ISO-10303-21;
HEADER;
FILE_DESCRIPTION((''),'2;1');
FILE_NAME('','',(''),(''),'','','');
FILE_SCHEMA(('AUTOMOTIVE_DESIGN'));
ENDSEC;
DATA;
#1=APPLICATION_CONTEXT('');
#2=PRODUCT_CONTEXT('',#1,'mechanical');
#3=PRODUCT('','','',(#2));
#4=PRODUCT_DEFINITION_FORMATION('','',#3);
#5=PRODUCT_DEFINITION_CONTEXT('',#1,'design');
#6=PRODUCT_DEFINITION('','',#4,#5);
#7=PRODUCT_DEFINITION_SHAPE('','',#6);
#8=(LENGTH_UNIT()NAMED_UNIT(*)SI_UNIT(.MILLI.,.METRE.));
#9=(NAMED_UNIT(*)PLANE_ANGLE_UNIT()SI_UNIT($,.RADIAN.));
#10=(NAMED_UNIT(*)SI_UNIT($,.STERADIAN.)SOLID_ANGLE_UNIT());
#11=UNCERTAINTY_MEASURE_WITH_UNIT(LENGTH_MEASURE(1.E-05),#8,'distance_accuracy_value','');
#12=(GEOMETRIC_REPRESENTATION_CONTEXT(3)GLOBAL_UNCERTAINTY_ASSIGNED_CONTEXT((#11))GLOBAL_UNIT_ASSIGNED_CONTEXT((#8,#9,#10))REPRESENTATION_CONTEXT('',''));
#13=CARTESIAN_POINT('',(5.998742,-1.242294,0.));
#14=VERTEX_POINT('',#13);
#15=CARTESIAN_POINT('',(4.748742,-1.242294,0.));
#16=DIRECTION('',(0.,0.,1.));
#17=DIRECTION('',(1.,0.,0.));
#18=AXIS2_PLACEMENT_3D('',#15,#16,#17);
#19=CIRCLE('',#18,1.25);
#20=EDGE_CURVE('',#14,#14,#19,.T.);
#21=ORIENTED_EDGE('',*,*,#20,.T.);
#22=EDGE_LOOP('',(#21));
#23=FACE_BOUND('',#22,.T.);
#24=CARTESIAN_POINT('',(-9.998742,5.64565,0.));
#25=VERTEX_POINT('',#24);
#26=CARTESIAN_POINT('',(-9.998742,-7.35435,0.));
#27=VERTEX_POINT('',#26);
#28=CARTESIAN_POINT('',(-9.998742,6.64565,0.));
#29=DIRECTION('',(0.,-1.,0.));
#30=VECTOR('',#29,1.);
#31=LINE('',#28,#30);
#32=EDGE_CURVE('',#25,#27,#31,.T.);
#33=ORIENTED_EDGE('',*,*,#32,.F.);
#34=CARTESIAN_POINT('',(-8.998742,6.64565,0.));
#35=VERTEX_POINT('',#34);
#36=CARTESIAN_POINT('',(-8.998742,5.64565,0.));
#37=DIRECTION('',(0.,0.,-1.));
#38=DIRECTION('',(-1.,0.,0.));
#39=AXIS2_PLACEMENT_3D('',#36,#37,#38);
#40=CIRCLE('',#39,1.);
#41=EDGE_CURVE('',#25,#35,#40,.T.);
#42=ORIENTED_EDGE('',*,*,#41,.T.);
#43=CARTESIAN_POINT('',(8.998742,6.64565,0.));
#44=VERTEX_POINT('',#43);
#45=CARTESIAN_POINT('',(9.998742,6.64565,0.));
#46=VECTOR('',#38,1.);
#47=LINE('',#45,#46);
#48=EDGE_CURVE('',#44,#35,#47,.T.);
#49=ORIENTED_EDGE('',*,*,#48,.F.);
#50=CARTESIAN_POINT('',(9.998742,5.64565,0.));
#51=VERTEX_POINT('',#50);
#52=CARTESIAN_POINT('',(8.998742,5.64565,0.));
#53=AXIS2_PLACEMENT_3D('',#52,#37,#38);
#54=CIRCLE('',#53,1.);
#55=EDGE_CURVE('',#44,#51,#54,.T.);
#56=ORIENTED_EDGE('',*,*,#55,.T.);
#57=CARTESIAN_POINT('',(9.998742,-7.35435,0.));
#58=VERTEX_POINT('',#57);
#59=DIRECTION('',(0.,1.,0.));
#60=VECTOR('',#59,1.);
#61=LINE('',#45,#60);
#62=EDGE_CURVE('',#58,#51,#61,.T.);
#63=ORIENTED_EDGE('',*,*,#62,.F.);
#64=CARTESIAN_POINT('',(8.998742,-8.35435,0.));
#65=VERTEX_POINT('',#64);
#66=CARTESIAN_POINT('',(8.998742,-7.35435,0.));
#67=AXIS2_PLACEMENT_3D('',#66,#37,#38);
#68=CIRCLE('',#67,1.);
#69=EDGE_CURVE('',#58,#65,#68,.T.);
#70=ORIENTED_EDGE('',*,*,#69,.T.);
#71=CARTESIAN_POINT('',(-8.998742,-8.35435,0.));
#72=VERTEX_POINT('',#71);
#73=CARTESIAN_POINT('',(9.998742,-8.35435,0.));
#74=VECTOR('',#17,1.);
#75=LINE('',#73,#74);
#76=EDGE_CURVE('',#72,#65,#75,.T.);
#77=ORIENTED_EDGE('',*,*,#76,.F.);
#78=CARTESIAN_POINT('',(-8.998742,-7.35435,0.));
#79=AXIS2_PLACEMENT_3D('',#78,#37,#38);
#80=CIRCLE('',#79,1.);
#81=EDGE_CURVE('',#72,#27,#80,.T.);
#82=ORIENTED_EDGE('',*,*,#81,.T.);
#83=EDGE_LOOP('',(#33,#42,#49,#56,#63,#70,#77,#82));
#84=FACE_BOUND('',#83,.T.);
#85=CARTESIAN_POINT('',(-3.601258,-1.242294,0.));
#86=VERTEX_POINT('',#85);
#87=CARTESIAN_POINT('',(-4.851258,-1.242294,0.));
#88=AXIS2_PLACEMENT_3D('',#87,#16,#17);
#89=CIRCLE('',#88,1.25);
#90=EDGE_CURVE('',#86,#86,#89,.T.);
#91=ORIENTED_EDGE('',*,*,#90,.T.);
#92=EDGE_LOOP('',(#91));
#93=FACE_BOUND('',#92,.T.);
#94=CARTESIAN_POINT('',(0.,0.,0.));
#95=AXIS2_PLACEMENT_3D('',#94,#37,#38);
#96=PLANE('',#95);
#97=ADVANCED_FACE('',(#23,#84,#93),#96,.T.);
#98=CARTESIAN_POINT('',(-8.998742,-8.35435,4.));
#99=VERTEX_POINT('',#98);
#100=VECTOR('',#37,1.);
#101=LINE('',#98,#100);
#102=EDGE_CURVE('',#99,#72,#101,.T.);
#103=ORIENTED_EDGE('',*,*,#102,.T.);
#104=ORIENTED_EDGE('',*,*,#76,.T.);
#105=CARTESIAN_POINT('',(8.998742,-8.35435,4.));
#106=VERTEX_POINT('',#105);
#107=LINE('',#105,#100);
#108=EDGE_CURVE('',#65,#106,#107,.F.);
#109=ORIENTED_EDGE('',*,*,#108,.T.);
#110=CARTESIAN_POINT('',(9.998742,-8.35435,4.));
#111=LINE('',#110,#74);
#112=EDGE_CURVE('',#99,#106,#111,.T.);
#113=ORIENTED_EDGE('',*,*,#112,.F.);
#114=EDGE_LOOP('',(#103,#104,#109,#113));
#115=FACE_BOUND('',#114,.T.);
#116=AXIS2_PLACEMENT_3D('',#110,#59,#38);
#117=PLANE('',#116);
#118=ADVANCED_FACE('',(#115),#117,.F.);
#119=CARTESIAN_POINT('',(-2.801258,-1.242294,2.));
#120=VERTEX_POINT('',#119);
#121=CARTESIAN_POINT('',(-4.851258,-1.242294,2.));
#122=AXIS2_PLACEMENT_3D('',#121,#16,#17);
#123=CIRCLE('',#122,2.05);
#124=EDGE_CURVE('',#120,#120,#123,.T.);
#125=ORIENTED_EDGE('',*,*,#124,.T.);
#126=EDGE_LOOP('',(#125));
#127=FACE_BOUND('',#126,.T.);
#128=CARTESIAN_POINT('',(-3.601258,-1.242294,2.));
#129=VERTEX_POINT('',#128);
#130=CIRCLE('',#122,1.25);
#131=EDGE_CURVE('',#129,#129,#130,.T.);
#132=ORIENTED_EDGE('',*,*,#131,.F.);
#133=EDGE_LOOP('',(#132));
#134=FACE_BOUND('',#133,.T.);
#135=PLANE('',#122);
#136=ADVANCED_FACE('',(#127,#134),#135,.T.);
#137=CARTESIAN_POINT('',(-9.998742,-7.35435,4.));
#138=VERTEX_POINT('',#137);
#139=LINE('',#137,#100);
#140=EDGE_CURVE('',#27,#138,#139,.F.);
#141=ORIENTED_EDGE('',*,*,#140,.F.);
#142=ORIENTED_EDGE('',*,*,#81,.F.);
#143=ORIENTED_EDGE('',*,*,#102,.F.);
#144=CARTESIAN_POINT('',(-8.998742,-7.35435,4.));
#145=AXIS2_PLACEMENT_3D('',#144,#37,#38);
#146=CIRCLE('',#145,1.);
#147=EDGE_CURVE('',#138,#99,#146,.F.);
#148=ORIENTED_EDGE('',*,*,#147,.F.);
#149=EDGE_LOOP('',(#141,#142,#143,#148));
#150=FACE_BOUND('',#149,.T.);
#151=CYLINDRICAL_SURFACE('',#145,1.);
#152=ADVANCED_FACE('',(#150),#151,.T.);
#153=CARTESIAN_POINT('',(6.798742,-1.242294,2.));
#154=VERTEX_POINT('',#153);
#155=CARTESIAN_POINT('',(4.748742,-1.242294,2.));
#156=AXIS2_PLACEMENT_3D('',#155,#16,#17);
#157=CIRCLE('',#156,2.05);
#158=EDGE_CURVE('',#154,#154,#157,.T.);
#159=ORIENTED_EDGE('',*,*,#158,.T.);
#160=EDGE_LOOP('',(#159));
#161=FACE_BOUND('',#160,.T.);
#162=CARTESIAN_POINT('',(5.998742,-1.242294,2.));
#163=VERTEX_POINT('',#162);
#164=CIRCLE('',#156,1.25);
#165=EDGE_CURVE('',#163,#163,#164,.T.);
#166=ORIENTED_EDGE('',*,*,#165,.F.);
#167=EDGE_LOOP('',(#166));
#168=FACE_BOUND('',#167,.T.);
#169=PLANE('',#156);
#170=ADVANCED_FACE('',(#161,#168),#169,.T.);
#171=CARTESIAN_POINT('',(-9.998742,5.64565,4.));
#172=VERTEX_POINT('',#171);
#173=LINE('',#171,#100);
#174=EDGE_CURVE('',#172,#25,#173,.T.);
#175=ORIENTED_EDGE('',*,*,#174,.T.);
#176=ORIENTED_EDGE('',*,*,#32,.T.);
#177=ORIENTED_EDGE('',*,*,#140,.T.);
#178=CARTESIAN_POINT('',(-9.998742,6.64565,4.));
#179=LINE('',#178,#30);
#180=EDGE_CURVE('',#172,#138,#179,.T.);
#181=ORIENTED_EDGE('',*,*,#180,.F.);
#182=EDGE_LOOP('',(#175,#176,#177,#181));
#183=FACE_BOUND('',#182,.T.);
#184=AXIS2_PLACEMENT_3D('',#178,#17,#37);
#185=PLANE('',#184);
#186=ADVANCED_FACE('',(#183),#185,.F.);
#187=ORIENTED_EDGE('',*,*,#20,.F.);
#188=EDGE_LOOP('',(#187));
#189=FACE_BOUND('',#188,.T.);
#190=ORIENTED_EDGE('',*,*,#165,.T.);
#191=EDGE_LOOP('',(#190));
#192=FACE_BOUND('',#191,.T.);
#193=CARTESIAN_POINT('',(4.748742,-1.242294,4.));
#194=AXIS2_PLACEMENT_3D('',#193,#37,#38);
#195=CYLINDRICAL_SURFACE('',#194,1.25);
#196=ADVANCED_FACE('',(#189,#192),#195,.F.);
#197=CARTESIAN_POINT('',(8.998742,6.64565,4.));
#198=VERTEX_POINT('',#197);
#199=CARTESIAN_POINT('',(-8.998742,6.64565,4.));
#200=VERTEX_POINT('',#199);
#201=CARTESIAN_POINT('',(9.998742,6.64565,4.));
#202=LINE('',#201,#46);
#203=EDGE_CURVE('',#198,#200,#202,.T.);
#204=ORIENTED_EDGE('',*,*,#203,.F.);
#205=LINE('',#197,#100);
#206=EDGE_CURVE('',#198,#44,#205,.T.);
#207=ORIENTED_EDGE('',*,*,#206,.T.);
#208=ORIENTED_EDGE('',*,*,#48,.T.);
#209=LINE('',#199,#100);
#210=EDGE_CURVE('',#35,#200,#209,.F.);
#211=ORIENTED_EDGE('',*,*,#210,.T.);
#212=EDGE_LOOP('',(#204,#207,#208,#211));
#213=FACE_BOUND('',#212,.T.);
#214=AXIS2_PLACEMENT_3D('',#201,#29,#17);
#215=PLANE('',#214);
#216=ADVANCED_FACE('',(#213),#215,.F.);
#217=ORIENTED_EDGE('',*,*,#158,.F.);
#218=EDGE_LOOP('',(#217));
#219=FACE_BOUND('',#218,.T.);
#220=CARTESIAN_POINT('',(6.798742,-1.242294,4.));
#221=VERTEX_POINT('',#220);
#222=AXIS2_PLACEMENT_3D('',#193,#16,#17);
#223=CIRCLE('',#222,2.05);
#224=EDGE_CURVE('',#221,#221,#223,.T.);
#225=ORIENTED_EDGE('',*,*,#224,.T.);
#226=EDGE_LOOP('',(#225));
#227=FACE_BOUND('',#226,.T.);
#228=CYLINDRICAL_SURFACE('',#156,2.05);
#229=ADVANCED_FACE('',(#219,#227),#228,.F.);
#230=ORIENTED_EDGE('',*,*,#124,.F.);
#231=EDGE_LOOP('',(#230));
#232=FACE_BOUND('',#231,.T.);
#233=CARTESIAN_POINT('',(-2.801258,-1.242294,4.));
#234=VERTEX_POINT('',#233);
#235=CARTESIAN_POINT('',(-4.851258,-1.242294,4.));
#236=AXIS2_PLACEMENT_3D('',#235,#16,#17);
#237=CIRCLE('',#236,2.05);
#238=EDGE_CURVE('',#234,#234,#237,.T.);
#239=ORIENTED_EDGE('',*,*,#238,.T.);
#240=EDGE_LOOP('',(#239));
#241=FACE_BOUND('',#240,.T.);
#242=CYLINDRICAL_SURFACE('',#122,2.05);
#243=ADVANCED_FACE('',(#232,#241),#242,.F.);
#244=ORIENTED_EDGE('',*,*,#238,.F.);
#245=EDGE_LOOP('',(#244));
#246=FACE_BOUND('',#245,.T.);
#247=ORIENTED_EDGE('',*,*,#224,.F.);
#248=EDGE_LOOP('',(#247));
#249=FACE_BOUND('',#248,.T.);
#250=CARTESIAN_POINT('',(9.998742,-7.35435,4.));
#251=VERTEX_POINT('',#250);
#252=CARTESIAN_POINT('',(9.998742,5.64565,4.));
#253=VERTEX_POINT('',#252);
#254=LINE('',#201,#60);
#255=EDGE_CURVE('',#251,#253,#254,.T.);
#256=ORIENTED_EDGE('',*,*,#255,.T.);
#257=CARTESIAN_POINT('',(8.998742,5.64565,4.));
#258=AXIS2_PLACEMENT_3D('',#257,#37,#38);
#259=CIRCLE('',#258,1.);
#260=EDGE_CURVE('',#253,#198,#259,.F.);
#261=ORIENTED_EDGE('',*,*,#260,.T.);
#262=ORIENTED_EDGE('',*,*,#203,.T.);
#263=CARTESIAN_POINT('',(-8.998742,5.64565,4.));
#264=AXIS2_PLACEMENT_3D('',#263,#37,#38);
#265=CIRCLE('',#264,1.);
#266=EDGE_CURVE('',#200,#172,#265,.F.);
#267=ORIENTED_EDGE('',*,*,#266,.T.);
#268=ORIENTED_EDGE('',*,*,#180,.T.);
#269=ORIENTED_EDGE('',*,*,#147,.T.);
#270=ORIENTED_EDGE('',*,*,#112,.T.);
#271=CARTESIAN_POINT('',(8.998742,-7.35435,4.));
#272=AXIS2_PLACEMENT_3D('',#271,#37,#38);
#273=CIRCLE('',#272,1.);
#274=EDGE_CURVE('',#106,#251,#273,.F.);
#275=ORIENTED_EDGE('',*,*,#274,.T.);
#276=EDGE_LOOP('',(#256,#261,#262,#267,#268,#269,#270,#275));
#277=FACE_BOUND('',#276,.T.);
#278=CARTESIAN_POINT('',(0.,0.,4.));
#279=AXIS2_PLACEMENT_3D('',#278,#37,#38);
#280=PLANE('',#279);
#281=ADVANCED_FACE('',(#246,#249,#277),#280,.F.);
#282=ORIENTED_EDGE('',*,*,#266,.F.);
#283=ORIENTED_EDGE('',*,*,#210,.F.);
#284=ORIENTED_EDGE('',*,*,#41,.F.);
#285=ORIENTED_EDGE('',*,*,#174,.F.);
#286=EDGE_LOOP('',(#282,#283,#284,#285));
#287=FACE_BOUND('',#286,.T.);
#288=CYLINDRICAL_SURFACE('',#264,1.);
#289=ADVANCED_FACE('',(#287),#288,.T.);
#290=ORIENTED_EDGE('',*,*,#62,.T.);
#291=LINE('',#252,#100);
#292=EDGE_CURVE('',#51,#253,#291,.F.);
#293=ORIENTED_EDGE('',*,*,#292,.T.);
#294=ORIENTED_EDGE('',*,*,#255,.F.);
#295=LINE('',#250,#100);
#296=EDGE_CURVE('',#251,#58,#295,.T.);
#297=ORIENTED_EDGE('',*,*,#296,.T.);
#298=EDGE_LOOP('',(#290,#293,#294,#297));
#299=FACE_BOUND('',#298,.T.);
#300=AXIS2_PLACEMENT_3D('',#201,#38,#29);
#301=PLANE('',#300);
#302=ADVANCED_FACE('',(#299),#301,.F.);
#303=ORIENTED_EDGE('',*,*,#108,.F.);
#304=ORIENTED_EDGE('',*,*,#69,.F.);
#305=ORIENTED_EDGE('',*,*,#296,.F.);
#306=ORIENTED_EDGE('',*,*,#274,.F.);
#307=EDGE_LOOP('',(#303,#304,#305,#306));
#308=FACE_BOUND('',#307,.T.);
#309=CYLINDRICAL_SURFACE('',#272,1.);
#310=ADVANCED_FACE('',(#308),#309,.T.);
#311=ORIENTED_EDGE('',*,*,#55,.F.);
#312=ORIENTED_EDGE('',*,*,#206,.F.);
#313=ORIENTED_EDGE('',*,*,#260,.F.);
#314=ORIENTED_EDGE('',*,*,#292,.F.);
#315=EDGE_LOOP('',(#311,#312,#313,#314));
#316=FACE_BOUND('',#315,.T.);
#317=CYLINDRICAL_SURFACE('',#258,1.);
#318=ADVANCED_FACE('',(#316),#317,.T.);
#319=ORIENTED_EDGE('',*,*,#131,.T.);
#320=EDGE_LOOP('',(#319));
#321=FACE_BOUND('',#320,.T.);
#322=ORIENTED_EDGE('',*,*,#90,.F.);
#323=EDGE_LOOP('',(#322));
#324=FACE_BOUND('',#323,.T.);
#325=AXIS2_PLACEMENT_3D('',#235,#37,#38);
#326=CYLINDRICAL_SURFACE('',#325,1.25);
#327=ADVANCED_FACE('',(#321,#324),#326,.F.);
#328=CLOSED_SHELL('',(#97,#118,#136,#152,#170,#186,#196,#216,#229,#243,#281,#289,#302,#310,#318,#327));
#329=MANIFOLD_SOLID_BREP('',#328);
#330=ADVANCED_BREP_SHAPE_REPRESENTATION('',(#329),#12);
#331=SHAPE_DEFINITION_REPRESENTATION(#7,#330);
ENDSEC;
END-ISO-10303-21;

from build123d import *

# Parameters (mm, degrees)
SKETCH1_W           = 19.997483178
SKETCH1_H           = 15
SKETCH1_R           = 1.25
BOSS_EXTRUDE1_DEPTH = 4
SKETCH2_R           = 2.05
CUT_EXTRUDE1_DEPTH  = 2
FILLET1_R           = 1


with BuildPart() as part:
    # Sketch1 → Boss-Extrude1 (new body)
    with BuildSketch(Plane.XY):
        with Locations((0, -0.854350343)):
            Rectangle(SKETCH1_W, SKETCH1_H)
        with Locations((-4.851258411, -1.24229421)):
            Circle(SKETCH1_R, mode=Mode.SUBTRACT)
        with Locations((4.748741589, -1.24229421)):
            Circle(SKETCH1_R, mode=Mode.SUBTRACT)
    extrude(amount=BOSS_EXTRUDE1_DEPTH)

    # Sketch2 → Cut-Extrude1 (cut)
    with BuildSketch(Plane.XY.offset(4)):
        with Locations((-4.851258411, -1.24229421)):
            Circle(SKETCH2_R)
        with Locations((4.748741589, -1.24229421)):
            Circle(SKETCH2_R)
    extrude(amount=-CUT_EXTRUDE1_DEPTH, mode=Mode.SUBTRACT)

    # Fillet1
    fillet1_edges = [part.edges().sort_by_distance(p)[0] for p in [
        (9.998741589, -8.354350343, 2),
        (-9.998741589, -8.354350343, 2),
        (-9.998741589, 6.645649657, 2),
        (9.998741589, 6.645649657, 2),
    ]]
    fillet(fillet1_edges, radius=FILLET1_R)


solid = part.part
